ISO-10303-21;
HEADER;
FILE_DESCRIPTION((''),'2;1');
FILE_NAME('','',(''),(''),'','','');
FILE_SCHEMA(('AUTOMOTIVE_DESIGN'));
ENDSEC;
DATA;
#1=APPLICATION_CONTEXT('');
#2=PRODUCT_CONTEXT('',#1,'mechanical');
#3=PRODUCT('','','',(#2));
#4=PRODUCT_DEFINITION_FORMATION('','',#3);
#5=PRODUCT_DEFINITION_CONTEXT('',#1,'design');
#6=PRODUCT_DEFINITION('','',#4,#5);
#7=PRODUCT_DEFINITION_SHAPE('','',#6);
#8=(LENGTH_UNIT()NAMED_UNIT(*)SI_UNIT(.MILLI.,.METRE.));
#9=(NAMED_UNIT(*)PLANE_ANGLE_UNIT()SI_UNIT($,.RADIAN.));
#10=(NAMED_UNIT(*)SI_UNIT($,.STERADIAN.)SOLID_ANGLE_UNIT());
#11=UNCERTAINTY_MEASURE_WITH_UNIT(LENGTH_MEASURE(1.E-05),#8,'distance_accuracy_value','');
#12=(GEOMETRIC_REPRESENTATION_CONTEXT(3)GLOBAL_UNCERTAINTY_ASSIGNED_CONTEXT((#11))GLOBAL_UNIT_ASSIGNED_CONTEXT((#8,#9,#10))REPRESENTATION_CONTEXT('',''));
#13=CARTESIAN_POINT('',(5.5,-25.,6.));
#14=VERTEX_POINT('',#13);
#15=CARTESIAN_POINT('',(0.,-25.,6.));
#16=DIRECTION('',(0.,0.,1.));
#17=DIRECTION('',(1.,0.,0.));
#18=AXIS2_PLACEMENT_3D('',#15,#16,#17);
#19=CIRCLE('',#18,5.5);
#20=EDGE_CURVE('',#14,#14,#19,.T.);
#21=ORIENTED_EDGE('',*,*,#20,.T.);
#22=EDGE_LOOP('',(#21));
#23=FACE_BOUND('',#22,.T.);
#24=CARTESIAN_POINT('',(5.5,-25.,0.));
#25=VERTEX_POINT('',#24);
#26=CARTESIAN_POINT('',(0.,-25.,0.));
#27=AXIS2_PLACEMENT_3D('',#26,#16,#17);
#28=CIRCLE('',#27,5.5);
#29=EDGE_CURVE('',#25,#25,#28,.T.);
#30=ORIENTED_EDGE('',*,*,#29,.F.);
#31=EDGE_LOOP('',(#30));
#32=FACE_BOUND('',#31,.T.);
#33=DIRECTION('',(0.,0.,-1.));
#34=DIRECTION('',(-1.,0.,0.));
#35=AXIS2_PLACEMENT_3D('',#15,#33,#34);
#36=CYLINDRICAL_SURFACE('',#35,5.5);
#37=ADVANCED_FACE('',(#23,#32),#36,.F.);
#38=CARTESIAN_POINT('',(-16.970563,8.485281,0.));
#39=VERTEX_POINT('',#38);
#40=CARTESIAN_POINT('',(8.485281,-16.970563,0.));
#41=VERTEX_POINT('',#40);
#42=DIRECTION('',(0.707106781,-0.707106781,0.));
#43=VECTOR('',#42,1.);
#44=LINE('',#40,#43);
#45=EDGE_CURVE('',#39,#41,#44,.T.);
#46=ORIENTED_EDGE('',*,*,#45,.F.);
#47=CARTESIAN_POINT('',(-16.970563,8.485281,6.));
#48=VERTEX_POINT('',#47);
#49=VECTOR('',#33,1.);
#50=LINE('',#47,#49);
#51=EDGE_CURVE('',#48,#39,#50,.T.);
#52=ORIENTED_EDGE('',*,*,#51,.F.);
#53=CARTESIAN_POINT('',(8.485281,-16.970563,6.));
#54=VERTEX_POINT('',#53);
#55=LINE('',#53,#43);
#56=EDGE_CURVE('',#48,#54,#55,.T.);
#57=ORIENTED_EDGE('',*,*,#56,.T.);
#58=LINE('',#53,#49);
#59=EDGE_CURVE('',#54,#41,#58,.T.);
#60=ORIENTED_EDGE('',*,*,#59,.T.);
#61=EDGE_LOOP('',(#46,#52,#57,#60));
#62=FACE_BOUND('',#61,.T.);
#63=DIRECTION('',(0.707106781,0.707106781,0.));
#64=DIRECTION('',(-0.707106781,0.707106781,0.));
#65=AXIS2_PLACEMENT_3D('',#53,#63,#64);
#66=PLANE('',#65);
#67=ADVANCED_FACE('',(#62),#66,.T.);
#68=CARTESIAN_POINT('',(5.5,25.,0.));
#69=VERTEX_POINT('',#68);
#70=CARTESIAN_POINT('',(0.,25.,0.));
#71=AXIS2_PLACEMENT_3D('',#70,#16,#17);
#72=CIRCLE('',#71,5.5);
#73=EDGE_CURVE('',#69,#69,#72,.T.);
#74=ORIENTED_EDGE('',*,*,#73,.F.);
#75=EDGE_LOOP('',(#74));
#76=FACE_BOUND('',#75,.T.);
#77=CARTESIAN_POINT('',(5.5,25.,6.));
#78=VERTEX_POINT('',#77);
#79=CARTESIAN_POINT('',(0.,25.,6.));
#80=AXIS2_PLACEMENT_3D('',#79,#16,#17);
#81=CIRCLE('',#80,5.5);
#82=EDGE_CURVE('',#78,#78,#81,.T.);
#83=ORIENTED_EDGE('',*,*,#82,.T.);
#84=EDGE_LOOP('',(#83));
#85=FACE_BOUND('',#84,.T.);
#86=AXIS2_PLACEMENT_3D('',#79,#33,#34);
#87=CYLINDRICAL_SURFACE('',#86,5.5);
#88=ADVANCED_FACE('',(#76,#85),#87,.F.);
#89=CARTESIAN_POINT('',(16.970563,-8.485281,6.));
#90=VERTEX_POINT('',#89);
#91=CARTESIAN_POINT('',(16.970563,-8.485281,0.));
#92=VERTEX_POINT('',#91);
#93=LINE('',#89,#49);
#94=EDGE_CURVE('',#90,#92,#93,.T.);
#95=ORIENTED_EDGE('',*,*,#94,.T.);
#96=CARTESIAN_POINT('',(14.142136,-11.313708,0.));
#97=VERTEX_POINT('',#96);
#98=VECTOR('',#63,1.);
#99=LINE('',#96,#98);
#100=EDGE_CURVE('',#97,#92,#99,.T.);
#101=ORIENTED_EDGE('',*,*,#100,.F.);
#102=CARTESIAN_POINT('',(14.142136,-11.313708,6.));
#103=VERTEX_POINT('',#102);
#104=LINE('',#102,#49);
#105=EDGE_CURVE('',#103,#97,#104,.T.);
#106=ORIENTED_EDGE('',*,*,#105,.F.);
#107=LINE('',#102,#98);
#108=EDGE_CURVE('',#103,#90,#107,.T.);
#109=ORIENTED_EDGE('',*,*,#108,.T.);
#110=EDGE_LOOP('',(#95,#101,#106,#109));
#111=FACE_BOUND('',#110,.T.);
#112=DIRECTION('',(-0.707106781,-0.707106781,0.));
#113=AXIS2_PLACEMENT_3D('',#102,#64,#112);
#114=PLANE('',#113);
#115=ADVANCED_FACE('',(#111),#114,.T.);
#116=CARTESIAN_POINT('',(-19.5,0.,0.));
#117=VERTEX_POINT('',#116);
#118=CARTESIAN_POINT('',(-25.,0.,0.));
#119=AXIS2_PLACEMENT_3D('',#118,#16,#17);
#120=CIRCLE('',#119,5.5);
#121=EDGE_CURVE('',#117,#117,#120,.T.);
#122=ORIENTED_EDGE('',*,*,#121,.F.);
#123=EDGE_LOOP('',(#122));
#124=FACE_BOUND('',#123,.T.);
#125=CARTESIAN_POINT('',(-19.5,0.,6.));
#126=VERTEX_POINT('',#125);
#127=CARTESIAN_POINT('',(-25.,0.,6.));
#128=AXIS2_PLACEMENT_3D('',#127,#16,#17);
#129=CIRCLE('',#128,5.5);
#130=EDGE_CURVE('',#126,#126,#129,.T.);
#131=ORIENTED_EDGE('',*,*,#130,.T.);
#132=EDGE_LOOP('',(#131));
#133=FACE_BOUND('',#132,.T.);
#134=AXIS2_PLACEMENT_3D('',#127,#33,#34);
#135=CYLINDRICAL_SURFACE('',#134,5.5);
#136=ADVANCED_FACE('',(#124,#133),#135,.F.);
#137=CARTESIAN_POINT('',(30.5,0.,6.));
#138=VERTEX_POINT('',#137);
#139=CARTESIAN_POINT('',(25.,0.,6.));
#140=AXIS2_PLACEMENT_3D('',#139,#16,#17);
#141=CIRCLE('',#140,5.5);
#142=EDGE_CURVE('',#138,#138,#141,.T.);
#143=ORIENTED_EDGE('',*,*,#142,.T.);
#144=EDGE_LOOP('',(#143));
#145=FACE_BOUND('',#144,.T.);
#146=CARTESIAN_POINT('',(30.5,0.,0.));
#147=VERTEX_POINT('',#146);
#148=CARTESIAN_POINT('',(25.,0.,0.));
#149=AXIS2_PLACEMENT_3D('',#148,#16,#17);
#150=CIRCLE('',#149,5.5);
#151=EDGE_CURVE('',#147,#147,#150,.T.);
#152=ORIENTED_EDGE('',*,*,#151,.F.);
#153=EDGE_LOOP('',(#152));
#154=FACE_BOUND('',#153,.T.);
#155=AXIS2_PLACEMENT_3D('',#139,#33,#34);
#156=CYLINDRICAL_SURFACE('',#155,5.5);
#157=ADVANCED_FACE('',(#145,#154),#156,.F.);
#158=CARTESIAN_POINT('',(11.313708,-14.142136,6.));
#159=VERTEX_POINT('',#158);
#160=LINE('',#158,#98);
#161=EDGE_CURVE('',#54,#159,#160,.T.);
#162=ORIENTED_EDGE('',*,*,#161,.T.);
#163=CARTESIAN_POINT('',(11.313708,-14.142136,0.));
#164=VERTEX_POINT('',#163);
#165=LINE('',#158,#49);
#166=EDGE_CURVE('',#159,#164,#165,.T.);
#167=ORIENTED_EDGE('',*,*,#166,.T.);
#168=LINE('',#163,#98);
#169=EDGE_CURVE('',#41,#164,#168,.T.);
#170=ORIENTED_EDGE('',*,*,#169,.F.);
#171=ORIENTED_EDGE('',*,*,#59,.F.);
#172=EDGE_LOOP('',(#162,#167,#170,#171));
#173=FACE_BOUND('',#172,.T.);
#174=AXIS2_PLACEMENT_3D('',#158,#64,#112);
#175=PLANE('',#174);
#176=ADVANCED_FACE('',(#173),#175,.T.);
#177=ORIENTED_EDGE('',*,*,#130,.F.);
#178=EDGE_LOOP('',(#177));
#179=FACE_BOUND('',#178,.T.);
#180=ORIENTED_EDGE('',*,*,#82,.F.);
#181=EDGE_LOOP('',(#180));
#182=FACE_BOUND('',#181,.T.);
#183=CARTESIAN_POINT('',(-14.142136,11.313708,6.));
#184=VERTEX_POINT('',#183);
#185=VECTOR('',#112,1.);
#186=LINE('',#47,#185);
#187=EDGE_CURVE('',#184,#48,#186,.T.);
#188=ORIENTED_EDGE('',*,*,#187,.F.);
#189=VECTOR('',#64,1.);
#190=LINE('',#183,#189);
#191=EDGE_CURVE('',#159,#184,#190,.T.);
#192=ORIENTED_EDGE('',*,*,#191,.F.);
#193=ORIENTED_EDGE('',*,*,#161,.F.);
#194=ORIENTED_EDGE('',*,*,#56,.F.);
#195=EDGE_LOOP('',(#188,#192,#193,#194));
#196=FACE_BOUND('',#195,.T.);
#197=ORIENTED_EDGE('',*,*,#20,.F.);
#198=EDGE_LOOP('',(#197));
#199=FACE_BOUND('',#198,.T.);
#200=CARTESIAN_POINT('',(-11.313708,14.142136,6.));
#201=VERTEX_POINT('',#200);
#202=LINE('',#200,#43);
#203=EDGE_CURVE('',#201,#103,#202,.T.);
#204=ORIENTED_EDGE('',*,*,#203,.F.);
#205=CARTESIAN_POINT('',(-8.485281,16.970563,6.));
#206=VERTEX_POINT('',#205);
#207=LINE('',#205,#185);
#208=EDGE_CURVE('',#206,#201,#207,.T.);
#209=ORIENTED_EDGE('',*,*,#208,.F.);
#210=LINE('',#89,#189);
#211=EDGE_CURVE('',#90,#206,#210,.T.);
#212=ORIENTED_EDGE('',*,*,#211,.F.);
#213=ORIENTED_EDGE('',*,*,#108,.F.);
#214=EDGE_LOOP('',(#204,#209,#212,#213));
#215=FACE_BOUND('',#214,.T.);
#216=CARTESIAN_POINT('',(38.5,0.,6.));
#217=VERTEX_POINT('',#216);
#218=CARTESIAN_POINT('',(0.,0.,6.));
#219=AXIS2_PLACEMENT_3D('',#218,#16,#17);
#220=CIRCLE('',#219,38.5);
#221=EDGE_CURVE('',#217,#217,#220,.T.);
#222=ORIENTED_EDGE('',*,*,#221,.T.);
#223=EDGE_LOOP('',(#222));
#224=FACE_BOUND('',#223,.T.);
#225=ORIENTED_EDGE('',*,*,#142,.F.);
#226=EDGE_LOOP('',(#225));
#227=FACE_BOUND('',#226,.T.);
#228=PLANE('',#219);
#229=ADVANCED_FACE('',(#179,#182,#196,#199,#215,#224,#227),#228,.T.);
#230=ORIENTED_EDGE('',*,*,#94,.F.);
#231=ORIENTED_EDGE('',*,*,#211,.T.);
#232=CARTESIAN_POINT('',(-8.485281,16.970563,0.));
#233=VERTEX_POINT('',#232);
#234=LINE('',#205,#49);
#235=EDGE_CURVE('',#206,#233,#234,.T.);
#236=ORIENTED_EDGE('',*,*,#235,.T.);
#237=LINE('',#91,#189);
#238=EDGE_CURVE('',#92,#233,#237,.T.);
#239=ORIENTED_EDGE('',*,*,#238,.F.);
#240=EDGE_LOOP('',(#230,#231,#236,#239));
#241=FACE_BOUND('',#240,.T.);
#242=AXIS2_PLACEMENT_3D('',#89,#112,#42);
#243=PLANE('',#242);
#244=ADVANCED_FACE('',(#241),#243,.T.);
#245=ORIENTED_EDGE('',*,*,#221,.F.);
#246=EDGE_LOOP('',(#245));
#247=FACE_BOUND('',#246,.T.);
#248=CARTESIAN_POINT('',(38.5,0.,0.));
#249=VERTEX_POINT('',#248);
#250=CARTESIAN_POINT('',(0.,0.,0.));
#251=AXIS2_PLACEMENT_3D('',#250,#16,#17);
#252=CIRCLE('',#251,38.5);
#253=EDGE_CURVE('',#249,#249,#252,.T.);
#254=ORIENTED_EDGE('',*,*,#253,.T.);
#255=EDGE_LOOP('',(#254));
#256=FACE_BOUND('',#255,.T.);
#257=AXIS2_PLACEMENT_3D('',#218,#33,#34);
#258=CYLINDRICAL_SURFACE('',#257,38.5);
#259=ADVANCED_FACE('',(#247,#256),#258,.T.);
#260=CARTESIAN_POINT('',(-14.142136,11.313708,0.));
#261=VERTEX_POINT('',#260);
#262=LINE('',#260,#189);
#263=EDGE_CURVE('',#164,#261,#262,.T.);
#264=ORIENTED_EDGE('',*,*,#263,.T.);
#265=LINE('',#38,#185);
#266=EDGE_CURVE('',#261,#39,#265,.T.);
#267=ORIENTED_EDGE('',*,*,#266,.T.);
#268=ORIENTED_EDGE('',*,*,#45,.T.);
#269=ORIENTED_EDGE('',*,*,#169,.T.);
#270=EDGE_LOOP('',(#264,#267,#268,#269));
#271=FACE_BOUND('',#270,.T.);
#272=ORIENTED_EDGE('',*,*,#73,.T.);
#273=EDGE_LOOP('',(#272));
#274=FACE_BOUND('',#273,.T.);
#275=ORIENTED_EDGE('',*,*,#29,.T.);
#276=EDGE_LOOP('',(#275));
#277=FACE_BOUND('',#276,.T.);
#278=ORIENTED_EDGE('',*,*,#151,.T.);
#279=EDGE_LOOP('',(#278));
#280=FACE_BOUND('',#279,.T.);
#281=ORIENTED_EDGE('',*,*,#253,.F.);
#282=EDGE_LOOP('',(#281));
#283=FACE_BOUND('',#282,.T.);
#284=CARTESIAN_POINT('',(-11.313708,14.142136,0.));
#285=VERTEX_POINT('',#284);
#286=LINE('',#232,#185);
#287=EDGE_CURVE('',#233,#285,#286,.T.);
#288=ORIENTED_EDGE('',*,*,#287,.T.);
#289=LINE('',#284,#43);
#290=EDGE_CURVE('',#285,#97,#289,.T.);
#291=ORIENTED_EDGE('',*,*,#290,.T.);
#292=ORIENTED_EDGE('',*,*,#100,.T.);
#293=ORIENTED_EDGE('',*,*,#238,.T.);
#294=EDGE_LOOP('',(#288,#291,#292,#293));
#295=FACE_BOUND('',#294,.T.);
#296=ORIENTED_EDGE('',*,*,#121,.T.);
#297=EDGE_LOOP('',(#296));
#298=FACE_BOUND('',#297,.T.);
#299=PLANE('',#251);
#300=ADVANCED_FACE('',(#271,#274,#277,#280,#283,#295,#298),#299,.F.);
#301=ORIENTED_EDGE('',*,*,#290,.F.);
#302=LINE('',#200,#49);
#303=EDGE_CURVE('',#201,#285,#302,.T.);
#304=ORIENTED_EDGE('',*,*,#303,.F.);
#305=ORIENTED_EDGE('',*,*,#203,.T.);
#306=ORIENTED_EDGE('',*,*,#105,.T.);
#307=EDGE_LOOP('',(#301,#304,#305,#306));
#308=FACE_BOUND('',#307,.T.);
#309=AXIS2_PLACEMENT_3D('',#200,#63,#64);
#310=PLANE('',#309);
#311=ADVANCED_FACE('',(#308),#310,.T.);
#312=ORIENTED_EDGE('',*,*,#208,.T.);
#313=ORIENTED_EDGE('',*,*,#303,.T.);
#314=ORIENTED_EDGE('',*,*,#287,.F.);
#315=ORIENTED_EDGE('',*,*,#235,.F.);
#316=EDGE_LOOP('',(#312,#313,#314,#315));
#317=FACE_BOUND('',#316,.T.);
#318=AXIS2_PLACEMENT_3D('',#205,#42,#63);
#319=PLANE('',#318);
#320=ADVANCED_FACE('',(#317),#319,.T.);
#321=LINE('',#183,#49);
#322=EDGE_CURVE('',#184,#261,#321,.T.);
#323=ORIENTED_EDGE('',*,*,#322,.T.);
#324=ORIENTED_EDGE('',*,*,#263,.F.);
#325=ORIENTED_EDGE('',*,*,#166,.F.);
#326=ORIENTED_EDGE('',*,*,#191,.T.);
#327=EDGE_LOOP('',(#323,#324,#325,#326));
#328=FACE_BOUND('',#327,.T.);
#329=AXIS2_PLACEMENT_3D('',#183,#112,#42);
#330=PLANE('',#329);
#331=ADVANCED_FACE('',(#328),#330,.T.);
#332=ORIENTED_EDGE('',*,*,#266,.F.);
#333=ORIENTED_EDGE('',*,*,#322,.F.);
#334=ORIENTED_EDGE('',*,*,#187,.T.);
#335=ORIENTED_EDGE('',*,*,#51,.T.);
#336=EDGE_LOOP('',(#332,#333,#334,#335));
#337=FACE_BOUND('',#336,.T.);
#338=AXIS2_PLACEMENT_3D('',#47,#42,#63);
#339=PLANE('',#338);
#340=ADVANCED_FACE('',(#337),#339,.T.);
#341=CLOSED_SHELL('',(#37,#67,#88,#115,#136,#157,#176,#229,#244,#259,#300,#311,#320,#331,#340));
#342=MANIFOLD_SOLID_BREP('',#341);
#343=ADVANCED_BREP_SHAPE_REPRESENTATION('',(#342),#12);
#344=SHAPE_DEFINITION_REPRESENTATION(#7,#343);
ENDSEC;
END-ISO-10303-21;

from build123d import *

# Parameters (mm, degrees)
MODEL_R             = 38.5
MODEL_R_2           = 5.5
BOSS_EXTRUDE1_DEPTH = 6


with BuildPart() as part:
    # Model → Boss-Extrude1 (new body)
    with BuildSketch(Plane.XY):
        Circle(MODEL_R)
        with Locations((-25, 0)):
            Circle(MODEL_R_2, mode=Mode.SUBTRACT)
        with Locations((0, 25)):
            Circle(MODEL_R_2, mode=Mode.SUBTRACT)
        with Locations((0, -25)):
            Circle(MODEL_R_2, mode=Mode.SUBTRACT)
        with Locations((25, 0)):
            Circle(MODEL_R_2, mode=Mode.SUBTRACT)
        Polygon((-16.970562748, 8.485281374), (-14.142135624, 11.313708499), (11.313708499, -14.142135624), (8.485281374, -16.970562748), align=None, mode=Mode.SUBTRACT)
        Polygon((-11.313708499, 14.142135624), (14.142135624, -11.313708499), (16.970562748, -8.485281374), (-8.485281374, 16.970562748), align=None, mode=Mode.SUBTRACT)
    extrude(amount=BOSS_EXTRUDE1_DEPTH)


solid = part.part
